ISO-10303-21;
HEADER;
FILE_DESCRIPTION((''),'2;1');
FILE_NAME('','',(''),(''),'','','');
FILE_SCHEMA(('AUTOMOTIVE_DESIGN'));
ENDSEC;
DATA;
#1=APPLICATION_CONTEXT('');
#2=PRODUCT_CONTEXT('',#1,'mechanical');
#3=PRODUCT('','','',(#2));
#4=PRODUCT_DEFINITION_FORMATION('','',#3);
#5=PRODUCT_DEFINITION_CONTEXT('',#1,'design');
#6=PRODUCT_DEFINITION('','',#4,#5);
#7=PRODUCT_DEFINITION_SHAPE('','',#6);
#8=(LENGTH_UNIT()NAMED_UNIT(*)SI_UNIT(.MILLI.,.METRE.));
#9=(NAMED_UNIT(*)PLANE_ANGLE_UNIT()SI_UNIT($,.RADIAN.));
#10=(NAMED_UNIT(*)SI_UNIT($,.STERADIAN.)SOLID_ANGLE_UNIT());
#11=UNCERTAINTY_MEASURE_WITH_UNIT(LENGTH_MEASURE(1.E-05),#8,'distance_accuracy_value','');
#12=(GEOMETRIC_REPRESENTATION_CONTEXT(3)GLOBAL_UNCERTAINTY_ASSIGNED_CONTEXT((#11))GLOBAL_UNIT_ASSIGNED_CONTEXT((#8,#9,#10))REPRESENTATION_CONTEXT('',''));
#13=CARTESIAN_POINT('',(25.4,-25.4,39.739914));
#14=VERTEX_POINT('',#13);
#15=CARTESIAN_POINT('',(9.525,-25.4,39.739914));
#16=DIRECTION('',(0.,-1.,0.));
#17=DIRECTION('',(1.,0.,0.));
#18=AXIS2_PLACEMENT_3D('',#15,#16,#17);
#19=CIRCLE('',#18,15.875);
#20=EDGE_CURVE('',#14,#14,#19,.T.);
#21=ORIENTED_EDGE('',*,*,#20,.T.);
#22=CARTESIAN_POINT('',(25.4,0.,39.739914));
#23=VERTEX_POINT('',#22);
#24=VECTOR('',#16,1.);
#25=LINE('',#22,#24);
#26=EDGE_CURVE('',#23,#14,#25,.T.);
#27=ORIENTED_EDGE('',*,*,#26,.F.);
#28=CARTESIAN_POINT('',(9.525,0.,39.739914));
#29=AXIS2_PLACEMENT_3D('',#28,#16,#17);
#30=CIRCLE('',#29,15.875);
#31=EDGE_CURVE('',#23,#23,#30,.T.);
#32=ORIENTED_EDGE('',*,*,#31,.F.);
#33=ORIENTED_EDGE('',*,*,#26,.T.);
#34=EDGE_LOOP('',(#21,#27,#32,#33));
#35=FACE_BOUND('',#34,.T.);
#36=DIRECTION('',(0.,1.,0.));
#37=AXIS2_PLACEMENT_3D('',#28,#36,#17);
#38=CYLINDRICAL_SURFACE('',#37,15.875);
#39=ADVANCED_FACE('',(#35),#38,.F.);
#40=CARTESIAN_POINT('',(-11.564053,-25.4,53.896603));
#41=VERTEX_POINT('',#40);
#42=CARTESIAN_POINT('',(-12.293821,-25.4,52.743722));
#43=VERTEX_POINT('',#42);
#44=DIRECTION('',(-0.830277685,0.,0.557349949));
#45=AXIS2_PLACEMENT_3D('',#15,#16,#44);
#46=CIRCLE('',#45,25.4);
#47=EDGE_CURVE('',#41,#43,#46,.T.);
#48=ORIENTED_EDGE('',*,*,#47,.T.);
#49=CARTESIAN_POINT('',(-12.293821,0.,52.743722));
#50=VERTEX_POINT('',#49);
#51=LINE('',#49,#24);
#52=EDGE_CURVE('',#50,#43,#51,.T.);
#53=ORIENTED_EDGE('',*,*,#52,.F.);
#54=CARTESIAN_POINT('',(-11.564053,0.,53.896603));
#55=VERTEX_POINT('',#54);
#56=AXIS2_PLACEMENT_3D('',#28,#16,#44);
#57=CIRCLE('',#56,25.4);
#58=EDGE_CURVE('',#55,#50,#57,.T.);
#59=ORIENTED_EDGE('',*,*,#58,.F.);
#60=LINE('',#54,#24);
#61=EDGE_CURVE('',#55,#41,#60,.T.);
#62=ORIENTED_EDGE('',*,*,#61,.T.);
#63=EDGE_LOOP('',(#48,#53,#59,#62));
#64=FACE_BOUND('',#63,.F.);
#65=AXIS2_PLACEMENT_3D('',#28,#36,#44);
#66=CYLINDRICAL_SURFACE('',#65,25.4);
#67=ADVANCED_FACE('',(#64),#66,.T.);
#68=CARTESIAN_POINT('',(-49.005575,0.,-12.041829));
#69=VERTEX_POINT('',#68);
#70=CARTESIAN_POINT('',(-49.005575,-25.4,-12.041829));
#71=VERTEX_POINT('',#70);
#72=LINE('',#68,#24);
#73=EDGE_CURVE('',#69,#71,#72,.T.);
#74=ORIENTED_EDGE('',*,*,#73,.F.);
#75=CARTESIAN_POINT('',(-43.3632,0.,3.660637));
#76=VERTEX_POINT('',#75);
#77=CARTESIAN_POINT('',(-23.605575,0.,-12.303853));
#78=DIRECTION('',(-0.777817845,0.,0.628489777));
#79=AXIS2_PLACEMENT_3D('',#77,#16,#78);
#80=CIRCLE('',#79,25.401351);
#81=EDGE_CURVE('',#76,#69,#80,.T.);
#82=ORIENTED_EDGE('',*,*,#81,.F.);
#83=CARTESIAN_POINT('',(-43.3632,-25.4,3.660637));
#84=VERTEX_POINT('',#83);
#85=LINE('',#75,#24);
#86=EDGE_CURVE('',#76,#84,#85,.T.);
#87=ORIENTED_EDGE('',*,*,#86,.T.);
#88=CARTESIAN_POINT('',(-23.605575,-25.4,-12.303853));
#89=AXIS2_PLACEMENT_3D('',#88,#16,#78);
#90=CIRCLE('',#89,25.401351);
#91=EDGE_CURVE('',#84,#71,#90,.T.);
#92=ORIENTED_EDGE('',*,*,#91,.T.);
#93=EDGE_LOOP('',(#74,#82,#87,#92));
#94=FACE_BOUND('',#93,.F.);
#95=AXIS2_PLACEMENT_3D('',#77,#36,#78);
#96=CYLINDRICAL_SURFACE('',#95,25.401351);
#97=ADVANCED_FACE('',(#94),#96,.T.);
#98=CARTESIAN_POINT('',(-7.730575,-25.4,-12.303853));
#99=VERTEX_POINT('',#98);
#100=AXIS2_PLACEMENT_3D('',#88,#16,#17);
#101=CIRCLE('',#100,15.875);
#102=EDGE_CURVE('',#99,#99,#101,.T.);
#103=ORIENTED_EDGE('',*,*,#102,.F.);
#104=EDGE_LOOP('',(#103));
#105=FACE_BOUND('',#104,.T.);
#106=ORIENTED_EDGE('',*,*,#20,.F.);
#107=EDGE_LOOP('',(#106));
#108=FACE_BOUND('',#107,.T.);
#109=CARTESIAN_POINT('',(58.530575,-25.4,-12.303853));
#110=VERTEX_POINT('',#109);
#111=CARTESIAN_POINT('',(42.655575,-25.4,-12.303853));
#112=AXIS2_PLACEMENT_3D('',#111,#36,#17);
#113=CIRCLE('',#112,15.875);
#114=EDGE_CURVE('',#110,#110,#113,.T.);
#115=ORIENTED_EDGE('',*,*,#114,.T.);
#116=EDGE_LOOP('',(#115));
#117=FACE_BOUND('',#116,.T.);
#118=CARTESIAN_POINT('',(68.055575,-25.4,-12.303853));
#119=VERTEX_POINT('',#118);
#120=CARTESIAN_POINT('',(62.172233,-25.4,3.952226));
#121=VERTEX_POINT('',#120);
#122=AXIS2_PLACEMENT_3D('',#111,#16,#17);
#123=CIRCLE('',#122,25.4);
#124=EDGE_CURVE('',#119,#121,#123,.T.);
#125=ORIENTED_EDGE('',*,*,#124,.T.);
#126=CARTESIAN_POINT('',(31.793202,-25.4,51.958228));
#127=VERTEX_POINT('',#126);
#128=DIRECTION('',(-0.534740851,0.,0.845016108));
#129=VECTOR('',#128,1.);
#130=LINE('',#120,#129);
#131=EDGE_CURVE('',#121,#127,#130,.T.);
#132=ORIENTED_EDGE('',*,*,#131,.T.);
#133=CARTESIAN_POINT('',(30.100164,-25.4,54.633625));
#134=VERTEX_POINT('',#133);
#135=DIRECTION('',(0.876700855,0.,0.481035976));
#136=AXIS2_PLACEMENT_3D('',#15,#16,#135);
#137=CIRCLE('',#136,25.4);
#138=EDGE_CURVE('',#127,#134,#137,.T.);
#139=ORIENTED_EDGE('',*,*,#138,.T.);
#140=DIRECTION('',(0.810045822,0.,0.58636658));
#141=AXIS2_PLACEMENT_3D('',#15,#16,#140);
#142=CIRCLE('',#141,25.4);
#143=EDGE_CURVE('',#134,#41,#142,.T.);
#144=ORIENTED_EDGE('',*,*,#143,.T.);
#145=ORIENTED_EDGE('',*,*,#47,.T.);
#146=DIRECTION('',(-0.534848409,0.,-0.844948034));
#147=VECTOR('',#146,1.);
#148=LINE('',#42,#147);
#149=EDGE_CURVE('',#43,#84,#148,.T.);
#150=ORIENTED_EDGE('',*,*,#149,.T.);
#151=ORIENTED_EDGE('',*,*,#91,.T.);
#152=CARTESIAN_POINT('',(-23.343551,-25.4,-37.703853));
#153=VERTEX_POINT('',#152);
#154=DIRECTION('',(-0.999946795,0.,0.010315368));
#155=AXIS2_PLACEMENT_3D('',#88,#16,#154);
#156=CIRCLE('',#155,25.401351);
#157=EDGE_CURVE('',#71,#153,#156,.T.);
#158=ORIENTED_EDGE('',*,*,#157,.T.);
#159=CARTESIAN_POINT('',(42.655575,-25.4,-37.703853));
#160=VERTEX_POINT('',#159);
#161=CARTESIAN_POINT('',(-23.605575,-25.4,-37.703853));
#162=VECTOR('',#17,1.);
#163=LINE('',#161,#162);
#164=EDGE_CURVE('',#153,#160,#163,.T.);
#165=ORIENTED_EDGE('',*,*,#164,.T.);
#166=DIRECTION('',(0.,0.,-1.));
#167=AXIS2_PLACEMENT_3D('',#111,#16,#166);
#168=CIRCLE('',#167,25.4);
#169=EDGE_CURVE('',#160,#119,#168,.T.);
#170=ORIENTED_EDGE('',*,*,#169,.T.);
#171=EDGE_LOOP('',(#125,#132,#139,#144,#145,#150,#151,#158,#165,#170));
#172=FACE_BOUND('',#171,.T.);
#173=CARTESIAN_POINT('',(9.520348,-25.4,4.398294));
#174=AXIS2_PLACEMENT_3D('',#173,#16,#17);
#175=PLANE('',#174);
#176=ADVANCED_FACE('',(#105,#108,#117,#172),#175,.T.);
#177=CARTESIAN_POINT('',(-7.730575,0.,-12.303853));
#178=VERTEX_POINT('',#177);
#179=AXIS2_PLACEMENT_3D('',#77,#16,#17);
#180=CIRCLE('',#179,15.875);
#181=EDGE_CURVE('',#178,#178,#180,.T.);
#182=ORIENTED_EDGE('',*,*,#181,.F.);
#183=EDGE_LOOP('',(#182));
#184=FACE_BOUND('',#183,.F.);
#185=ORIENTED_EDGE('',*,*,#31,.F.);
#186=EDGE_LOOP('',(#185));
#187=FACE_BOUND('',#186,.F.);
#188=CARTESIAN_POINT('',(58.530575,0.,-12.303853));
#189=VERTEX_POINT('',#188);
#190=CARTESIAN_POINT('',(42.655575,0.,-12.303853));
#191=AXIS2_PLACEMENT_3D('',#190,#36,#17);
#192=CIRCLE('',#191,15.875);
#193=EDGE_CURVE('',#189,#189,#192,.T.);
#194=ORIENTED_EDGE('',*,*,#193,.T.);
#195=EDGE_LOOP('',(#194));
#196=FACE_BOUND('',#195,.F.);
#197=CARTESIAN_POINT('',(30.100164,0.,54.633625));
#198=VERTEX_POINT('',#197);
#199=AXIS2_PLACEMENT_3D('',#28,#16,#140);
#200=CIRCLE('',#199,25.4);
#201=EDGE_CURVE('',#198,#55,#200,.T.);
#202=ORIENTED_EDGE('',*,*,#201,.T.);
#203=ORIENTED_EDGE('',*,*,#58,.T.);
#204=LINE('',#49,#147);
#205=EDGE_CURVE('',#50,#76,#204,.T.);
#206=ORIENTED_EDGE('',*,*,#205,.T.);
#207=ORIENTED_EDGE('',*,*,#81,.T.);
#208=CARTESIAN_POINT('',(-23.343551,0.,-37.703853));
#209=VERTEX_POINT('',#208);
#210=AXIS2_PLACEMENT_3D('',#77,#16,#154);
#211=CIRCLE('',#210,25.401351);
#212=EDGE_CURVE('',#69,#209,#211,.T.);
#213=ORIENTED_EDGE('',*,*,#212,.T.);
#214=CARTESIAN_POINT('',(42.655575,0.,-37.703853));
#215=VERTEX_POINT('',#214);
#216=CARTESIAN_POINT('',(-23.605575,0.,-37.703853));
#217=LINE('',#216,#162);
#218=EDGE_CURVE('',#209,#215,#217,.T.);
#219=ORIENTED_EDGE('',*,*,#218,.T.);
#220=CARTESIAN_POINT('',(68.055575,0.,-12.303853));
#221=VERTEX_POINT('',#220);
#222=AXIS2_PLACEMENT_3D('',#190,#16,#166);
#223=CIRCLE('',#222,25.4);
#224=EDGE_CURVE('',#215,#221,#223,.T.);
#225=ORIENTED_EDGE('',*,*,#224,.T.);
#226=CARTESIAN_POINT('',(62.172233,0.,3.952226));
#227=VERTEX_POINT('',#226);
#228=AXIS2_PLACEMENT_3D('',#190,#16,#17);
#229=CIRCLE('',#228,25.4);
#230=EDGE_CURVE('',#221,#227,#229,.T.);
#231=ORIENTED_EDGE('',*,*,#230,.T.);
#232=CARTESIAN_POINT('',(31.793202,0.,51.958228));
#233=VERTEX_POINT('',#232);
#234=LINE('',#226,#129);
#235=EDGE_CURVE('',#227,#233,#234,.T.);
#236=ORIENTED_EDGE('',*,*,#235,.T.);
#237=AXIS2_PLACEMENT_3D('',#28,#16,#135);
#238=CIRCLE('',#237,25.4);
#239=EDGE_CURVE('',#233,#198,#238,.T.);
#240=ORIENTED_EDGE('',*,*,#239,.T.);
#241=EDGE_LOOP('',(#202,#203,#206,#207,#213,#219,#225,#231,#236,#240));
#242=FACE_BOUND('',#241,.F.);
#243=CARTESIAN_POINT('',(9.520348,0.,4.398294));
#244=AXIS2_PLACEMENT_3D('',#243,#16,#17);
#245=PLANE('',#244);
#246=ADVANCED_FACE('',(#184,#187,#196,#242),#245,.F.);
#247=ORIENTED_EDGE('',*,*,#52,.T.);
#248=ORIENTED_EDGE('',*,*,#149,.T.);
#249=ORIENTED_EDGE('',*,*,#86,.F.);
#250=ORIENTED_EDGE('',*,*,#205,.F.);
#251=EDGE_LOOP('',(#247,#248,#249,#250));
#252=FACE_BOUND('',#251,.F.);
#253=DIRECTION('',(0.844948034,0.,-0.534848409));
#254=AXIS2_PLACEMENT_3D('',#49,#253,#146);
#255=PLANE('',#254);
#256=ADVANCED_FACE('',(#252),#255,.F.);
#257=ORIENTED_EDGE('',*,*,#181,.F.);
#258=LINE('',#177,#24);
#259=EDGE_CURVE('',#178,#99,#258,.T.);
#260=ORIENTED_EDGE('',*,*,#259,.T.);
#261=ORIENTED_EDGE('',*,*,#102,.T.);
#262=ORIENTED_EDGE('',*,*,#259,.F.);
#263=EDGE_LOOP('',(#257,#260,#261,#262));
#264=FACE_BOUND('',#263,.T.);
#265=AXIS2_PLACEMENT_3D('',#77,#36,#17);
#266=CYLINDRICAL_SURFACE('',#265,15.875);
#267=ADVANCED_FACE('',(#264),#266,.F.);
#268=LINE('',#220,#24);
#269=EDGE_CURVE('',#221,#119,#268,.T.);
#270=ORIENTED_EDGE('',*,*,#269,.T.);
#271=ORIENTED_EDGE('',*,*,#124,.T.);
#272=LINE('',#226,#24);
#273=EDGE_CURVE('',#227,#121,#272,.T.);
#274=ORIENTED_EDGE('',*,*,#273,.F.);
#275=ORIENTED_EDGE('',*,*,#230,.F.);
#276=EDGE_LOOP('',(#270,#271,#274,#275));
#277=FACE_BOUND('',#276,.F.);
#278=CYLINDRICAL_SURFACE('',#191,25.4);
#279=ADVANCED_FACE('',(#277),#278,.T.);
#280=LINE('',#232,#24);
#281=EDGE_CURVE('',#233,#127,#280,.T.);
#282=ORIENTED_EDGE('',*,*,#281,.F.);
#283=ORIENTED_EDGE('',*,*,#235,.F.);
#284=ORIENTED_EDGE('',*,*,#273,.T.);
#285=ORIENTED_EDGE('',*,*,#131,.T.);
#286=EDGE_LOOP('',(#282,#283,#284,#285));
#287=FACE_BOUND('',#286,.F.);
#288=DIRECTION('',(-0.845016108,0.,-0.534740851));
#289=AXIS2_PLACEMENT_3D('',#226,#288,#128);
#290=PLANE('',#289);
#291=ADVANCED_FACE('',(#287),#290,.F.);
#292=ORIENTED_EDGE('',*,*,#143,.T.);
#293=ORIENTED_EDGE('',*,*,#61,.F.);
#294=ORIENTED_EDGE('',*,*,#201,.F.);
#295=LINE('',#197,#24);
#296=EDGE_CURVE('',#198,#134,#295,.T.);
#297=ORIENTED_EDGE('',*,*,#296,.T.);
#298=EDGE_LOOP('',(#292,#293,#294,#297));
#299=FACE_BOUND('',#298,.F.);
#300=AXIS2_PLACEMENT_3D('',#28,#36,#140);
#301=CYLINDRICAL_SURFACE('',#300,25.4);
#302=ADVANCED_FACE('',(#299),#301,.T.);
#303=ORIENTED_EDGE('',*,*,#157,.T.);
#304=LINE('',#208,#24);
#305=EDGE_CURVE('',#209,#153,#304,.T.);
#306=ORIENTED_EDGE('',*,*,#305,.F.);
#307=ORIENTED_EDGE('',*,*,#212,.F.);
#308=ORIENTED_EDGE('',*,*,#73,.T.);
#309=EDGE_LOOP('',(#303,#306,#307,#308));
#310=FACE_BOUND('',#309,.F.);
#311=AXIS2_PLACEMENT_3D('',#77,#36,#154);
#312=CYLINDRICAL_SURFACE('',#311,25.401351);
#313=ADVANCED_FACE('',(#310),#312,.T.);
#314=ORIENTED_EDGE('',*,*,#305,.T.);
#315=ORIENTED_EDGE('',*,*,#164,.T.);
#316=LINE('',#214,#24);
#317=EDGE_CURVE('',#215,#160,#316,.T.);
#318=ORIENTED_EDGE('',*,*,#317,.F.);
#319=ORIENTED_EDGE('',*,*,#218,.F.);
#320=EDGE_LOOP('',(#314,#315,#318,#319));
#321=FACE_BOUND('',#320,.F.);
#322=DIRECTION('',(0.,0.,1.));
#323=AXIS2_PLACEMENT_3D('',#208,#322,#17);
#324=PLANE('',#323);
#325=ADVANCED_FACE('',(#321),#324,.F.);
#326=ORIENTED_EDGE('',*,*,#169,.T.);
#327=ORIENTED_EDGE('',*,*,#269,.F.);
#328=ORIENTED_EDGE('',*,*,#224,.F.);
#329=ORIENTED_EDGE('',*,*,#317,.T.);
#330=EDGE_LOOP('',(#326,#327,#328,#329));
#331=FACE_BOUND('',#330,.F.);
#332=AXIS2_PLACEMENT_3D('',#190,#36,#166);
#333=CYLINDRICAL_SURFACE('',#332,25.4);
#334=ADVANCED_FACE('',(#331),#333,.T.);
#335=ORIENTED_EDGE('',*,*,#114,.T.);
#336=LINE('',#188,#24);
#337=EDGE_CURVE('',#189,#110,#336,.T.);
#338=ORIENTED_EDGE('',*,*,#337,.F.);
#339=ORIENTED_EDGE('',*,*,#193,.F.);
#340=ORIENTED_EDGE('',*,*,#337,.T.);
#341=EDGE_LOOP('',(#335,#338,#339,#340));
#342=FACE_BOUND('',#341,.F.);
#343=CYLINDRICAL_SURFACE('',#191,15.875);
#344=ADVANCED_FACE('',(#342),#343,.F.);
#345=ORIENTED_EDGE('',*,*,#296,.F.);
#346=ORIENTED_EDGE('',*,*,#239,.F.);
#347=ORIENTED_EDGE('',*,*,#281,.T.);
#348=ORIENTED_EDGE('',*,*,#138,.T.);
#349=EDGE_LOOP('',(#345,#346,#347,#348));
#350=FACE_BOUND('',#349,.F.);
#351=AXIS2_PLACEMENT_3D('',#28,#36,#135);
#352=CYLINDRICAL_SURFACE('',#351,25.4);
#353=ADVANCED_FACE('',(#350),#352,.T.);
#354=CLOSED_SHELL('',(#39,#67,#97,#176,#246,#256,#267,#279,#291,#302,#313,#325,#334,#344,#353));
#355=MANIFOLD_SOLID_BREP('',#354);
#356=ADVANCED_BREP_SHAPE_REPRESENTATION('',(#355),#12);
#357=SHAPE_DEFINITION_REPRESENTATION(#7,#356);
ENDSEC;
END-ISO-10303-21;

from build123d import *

# Parameters (mm, degrees)
F0_R     = 15.875
F1_DEPTH = 25.4


with BuildPart() as f1:
    # F0 (on Front) → F1 (new body)
    with BuildSketch(Plane.XZ):
        with BuildLine():
            ThreePointArc((-49.0055754781, -12.3038528651), (-41.5660877202, -30.2643651072), (-23.6055754781, -37.7038528651))
            Line((-23.6055754781, -37.7038528651), (-23.3435511934, -37.7038528651))
            Line((-23.3435511934, -37.7038528651), (42.6555754781, -37.7038528651))
            ThreePointArc((42.6555754781, -37.7038528651), (60.6160877202, -30.2643651072), (68.0555754781, -12.3038528651))
            ThreePointArc((68.0555754781, -12.3038528651), (66.5394936483, -3.6598692442), (62.1722327349, 3.9522256755))
            Line((62.1722327349, 3.9522256755), (31.7932017285, 51.9582280247))
            Line((31.7932017285, 51.9582280247), (30.1001638771, 54.6336253754))
            ThreePointArc((30.1001638771, 54.6336253754), (9.0757549966, 65.1359410719), (-11.5640531978, 53.8966029481))
            Line((-11.5640531978, 53.8966029481), (-12.2938214906, 52.7437224792))
            Line((-12.2938214906, 52.7437224792), (-43.3631999383, 3.6606368673))
            ThreePointArc((-43.3631999383, 3.6606368673), (-47.5104832797, -3.714089206), (-49.0055754781, -12.0418285804))
            Line((-49.0055754781, -12.0418285804), (-49.0055754781, -12.3038528651))
        make_face()
        with Locations((-23.6055754781, -12.3038528651)):
            Circle(F0_R, mode=Mode.SUBTRACT)
        with BuildLine():
            ThreePointArc((26.7805754781, -12.3038528651), (42.6555754781, 3.5711471349), (58.5305754781, -12.3038528651))
            ThreePointArc((58.5305754781, -12.3038528651), (42.6555754781, -28.1788528651), (26.7805754781, -12.3038528651))
        make_face(mode=Mode.SUBTRACT)
        with Locations((9.525, 39.7399142385)):
            Circle(F0_R, mode=Mode.SUBTRACT)
        with BuildLine():
            Line((-23.3435511934, -37.7038528651), (-23.6055754781, -37.7038528651))
            ThreePointArc((-23.6055754781, -37.7038528651), (-41.5660877202, -30.2643651072), (-49.0055754781, -12.3038528651))
            Line((-49.0055754781, -12.3038528651), (-49.0055754781, -12.0418285804))
            ThreePointArc((-49.0055754781, -12.0418285804), (-41.5670433569, -30.2653207439), (-23.3435511934, -37.7038528651))
        make_face()
        with BuildLine():
            ThreePointArc((-11.5640531978, 53.8966029481), (-11.936680058, 53.3250638176), (-12.2938214906, 52.7437224792))
            Line((-12.2938214906, 52.7437224792), (-11.5640531978, 53.8966029481))
        make_face()
        with BuildLine():
            Line((30.1001638771, 54.6336253754), (31.7932017285, 51.9582280247))
            ThreePointArc((31.7932017285, 51.9582280247), (30.9884091386, 53.3223318491), (30.1001638771, 54.6336253754))
        make_face()
    extrude(amount=F1_DEPTH)


solid = f1.part
